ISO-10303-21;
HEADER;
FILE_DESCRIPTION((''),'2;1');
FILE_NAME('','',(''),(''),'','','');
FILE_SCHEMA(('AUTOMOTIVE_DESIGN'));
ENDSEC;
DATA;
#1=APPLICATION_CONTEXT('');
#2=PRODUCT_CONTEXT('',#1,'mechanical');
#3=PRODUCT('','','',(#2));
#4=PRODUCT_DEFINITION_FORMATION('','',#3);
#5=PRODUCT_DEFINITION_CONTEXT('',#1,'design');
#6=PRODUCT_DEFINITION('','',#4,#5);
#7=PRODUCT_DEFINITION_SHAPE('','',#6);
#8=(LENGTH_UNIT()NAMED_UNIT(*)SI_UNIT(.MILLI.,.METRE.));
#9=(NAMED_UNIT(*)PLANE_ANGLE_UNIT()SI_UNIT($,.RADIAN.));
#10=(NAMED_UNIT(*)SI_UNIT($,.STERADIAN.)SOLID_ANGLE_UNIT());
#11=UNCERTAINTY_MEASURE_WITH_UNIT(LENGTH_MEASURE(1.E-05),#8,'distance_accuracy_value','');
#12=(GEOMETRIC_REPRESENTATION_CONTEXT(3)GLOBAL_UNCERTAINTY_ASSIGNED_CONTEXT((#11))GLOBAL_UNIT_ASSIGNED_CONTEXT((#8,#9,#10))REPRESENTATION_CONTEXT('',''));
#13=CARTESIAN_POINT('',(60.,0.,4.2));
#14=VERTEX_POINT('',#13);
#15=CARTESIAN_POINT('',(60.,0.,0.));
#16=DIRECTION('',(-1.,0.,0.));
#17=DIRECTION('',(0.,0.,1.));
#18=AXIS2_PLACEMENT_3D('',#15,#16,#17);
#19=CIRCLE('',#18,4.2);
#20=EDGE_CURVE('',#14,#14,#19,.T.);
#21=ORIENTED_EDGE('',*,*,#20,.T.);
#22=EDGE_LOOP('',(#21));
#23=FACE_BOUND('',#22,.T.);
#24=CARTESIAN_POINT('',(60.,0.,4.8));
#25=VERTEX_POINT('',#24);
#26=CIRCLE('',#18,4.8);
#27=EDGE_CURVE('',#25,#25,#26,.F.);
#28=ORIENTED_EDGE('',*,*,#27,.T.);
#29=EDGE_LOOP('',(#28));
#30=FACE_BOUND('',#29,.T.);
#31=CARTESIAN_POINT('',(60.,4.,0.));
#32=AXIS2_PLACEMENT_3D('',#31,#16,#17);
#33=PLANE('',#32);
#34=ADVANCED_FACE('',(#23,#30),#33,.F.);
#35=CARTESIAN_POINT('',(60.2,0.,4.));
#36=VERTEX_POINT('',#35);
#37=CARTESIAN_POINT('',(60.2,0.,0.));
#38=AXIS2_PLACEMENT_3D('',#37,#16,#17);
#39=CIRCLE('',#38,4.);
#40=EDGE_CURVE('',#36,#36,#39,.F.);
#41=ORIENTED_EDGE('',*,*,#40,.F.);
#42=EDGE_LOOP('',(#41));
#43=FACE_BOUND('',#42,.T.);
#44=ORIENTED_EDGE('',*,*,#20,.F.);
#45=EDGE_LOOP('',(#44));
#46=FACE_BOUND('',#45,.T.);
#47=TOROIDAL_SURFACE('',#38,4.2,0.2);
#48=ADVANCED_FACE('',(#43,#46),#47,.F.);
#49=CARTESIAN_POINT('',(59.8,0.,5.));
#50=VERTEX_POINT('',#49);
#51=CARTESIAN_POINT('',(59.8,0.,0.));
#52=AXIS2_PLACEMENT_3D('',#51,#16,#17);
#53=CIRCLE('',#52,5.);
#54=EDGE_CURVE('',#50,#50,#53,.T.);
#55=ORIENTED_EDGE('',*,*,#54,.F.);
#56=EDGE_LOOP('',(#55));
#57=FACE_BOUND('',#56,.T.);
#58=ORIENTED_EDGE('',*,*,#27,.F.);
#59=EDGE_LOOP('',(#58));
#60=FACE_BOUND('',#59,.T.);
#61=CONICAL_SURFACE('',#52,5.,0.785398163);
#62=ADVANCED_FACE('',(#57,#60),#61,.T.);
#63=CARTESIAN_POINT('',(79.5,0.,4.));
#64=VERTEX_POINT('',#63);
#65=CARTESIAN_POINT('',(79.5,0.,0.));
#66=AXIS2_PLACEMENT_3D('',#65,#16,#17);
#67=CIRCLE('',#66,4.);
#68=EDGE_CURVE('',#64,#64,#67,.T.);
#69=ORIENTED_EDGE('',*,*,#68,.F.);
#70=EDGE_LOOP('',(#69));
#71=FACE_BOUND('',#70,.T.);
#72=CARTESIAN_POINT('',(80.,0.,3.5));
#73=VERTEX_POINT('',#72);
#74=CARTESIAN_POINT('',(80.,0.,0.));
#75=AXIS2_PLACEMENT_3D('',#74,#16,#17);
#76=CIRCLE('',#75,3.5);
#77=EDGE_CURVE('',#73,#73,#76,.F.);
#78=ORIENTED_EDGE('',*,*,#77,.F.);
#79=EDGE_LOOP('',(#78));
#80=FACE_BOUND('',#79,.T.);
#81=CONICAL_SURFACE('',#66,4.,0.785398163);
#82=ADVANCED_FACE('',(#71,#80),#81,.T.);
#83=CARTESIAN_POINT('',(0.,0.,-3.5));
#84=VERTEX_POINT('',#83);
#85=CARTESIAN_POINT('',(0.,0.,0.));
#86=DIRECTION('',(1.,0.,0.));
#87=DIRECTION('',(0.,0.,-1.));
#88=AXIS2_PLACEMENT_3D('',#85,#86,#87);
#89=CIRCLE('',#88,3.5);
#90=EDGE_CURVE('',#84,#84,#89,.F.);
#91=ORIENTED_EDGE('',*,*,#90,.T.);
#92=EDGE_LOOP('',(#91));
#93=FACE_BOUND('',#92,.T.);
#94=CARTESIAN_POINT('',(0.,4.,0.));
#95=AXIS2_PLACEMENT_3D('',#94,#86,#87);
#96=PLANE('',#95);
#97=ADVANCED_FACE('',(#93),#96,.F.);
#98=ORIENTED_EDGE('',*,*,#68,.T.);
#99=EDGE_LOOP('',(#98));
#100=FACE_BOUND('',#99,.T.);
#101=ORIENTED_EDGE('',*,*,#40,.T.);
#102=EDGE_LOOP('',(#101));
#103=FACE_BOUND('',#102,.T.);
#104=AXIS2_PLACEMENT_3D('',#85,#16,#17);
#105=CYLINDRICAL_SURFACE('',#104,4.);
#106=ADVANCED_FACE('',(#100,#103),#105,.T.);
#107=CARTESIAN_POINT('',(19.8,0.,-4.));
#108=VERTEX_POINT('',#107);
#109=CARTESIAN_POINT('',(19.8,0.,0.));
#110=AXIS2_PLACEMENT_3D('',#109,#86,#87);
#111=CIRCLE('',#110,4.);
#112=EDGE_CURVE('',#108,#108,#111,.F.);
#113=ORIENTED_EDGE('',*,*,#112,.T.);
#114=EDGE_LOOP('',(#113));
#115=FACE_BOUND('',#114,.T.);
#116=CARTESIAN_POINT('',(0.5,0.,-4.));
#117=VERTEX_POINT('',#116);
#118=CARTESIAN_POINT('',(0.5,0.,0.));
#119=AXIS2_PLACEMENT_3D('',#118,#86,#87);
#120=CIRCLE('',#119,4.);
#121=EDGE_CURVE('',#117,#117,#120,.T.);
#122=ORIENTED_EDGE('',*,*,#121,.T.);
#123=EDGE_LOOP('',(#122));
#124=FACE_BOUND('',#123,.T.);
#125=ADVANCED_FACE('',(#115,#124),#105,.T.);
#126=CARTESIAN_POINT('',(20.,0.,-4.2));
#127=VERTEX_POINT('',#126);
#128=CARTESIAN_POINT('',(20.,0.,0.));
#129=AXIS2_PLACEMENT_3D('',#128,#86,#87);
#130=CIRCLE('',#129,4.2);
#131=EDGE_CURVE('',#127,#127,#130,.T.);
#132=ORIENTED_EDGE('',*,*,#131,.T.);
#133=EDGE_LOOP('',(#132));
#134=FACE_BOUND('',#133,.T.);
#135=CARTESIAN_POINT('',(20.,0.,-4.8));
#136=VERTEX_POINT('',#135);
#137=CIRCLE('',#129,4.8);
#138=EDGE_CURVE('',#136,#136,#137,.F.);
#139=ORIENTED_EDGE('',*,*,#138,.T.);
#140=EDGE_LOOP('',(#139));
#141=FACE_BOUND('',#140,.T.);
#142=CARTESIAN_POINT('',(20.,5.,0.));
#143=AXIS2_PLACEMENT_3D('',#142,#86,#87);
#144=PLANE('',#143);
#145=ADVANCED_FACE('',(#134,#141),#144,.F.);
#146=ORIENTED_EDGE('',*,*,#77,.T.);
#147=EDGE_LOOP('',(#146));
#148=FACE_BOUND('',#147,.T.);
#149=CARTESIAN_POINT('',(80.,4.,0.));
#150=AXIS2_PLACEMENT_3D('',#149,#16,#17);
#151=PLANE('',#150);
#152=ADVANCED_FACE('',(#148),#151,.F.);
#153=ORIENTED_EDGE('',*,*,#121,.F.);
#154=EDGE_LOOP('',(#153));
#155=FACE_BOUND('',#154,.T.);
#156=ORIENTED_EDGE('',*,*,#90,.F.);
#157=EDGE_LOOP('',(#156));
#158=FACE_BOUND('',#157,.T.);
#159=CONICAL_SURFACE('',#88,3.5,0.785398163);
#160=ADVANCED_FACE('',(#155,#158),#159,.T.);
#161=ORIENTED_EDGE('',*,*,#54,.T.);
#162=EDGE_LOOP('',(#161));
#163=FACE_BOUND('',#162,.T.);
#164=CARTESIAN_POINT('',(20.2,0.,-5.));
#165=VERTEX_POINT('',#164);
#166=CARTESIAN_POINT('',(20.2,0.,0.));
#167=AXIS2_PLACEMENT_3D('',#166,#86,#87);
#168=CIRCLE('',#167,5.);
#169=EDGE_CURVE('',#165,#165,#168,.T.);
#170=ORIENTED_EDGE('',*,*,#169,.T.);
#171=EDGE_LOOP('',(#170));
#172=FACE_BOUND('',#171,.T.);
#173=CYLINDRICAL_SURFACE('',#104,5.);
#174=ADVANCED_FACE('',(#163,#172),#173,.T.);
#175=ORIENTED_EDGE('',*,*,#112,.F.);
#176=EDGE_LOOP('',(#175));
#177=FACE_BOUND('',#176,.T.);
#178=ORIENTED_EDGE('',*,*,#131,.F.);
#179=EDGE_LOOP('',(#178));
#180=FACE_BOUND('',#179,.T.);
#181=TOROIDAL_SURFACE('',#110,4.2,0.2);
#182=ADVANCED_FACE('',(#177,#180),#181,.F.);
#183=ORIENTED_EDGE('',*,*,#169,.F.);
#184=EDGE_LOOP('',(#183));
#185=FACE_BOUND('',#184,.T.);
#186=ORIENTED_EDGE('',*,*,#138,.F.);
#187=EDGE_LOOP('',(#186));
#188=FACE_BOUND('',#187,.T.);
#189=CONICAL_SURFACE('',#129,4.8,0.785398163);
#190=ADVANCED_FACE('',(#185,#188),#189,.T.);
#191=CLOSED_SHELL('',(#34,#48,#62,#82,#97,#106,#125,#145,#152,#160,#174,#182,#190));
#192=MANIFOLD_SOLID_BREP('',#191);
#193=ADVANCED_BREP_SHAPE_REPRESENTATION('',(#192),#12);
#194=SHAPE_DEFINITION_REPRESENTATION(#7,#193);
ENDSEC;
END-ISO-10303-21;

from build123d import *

# Parameters (mm, degrees)
CHAMFER1_SIZE = 0.2
CHAMFER2_SIZE = 0.2
CHAMFER3_SIZE = 0.5
CHAMFER4_SIZE = 0.5
FILLET1_R     = 0.2
FILLET2_R     = 0.2


with BuildPart() as part:
    # Sketch1 → Revolve1 (revolve)
    with BuildSketch(Plane.XY):
        Polygon((0, 0), (80, 0), (80, 4), (60, 4), (60, 5), (20, 5), (20, 4), (0, 4), align=None)
    revolve(axis=Axis((0, 0, 0), (1, 0, 0)))

    # Chamfer1
    chamfer1_edges = [part.edges().sort_by_distance(p)[0] for p in [
        (60, -5, 0),
    ]]
    chamfer(chamfer1_edges, length=CHAMFER1_SIZE)

    # Chamfer2
    chamfer2_edges = [part.edges().sort_by_distance(p)[0] for p in [
        (20, -5, 0),
    ]]
    chamfer(chamfer2_edges, length=CHAMFER2_SIZE)

    # Chamfer3
    chamfer3_edges = [part.edges().sort_by_distance(p)[0] for p in [
        (0, -4, 0),
    ]]
    chamfer(chamfer3_edges, length=CHAMFER3_SIZE)

    # Chamfer4
    chamfer4_edges = [part.edges().sort_by_distance(p)[0] for p in [
        (80, -4, 0),
    ]]
    chamfer(chamfer4_edges, length=CHAMFER4_SIZE)

    # Fillet1
    fillet1_edges = [part.edges().sort_by_distance(p)[0] for p in [
        (20, -4, 0),
    ]]
    fillet(fillet1_edges, radius=FILLET1_R)

    # Fillet2
    fillet2_edges = [part.edges().sort_by_distance(p)[0] for p in [
        (60, -4, 0),
    ]]
    fillet(fillet2_edges, radius=FILLET2_R)


solid = part.part
